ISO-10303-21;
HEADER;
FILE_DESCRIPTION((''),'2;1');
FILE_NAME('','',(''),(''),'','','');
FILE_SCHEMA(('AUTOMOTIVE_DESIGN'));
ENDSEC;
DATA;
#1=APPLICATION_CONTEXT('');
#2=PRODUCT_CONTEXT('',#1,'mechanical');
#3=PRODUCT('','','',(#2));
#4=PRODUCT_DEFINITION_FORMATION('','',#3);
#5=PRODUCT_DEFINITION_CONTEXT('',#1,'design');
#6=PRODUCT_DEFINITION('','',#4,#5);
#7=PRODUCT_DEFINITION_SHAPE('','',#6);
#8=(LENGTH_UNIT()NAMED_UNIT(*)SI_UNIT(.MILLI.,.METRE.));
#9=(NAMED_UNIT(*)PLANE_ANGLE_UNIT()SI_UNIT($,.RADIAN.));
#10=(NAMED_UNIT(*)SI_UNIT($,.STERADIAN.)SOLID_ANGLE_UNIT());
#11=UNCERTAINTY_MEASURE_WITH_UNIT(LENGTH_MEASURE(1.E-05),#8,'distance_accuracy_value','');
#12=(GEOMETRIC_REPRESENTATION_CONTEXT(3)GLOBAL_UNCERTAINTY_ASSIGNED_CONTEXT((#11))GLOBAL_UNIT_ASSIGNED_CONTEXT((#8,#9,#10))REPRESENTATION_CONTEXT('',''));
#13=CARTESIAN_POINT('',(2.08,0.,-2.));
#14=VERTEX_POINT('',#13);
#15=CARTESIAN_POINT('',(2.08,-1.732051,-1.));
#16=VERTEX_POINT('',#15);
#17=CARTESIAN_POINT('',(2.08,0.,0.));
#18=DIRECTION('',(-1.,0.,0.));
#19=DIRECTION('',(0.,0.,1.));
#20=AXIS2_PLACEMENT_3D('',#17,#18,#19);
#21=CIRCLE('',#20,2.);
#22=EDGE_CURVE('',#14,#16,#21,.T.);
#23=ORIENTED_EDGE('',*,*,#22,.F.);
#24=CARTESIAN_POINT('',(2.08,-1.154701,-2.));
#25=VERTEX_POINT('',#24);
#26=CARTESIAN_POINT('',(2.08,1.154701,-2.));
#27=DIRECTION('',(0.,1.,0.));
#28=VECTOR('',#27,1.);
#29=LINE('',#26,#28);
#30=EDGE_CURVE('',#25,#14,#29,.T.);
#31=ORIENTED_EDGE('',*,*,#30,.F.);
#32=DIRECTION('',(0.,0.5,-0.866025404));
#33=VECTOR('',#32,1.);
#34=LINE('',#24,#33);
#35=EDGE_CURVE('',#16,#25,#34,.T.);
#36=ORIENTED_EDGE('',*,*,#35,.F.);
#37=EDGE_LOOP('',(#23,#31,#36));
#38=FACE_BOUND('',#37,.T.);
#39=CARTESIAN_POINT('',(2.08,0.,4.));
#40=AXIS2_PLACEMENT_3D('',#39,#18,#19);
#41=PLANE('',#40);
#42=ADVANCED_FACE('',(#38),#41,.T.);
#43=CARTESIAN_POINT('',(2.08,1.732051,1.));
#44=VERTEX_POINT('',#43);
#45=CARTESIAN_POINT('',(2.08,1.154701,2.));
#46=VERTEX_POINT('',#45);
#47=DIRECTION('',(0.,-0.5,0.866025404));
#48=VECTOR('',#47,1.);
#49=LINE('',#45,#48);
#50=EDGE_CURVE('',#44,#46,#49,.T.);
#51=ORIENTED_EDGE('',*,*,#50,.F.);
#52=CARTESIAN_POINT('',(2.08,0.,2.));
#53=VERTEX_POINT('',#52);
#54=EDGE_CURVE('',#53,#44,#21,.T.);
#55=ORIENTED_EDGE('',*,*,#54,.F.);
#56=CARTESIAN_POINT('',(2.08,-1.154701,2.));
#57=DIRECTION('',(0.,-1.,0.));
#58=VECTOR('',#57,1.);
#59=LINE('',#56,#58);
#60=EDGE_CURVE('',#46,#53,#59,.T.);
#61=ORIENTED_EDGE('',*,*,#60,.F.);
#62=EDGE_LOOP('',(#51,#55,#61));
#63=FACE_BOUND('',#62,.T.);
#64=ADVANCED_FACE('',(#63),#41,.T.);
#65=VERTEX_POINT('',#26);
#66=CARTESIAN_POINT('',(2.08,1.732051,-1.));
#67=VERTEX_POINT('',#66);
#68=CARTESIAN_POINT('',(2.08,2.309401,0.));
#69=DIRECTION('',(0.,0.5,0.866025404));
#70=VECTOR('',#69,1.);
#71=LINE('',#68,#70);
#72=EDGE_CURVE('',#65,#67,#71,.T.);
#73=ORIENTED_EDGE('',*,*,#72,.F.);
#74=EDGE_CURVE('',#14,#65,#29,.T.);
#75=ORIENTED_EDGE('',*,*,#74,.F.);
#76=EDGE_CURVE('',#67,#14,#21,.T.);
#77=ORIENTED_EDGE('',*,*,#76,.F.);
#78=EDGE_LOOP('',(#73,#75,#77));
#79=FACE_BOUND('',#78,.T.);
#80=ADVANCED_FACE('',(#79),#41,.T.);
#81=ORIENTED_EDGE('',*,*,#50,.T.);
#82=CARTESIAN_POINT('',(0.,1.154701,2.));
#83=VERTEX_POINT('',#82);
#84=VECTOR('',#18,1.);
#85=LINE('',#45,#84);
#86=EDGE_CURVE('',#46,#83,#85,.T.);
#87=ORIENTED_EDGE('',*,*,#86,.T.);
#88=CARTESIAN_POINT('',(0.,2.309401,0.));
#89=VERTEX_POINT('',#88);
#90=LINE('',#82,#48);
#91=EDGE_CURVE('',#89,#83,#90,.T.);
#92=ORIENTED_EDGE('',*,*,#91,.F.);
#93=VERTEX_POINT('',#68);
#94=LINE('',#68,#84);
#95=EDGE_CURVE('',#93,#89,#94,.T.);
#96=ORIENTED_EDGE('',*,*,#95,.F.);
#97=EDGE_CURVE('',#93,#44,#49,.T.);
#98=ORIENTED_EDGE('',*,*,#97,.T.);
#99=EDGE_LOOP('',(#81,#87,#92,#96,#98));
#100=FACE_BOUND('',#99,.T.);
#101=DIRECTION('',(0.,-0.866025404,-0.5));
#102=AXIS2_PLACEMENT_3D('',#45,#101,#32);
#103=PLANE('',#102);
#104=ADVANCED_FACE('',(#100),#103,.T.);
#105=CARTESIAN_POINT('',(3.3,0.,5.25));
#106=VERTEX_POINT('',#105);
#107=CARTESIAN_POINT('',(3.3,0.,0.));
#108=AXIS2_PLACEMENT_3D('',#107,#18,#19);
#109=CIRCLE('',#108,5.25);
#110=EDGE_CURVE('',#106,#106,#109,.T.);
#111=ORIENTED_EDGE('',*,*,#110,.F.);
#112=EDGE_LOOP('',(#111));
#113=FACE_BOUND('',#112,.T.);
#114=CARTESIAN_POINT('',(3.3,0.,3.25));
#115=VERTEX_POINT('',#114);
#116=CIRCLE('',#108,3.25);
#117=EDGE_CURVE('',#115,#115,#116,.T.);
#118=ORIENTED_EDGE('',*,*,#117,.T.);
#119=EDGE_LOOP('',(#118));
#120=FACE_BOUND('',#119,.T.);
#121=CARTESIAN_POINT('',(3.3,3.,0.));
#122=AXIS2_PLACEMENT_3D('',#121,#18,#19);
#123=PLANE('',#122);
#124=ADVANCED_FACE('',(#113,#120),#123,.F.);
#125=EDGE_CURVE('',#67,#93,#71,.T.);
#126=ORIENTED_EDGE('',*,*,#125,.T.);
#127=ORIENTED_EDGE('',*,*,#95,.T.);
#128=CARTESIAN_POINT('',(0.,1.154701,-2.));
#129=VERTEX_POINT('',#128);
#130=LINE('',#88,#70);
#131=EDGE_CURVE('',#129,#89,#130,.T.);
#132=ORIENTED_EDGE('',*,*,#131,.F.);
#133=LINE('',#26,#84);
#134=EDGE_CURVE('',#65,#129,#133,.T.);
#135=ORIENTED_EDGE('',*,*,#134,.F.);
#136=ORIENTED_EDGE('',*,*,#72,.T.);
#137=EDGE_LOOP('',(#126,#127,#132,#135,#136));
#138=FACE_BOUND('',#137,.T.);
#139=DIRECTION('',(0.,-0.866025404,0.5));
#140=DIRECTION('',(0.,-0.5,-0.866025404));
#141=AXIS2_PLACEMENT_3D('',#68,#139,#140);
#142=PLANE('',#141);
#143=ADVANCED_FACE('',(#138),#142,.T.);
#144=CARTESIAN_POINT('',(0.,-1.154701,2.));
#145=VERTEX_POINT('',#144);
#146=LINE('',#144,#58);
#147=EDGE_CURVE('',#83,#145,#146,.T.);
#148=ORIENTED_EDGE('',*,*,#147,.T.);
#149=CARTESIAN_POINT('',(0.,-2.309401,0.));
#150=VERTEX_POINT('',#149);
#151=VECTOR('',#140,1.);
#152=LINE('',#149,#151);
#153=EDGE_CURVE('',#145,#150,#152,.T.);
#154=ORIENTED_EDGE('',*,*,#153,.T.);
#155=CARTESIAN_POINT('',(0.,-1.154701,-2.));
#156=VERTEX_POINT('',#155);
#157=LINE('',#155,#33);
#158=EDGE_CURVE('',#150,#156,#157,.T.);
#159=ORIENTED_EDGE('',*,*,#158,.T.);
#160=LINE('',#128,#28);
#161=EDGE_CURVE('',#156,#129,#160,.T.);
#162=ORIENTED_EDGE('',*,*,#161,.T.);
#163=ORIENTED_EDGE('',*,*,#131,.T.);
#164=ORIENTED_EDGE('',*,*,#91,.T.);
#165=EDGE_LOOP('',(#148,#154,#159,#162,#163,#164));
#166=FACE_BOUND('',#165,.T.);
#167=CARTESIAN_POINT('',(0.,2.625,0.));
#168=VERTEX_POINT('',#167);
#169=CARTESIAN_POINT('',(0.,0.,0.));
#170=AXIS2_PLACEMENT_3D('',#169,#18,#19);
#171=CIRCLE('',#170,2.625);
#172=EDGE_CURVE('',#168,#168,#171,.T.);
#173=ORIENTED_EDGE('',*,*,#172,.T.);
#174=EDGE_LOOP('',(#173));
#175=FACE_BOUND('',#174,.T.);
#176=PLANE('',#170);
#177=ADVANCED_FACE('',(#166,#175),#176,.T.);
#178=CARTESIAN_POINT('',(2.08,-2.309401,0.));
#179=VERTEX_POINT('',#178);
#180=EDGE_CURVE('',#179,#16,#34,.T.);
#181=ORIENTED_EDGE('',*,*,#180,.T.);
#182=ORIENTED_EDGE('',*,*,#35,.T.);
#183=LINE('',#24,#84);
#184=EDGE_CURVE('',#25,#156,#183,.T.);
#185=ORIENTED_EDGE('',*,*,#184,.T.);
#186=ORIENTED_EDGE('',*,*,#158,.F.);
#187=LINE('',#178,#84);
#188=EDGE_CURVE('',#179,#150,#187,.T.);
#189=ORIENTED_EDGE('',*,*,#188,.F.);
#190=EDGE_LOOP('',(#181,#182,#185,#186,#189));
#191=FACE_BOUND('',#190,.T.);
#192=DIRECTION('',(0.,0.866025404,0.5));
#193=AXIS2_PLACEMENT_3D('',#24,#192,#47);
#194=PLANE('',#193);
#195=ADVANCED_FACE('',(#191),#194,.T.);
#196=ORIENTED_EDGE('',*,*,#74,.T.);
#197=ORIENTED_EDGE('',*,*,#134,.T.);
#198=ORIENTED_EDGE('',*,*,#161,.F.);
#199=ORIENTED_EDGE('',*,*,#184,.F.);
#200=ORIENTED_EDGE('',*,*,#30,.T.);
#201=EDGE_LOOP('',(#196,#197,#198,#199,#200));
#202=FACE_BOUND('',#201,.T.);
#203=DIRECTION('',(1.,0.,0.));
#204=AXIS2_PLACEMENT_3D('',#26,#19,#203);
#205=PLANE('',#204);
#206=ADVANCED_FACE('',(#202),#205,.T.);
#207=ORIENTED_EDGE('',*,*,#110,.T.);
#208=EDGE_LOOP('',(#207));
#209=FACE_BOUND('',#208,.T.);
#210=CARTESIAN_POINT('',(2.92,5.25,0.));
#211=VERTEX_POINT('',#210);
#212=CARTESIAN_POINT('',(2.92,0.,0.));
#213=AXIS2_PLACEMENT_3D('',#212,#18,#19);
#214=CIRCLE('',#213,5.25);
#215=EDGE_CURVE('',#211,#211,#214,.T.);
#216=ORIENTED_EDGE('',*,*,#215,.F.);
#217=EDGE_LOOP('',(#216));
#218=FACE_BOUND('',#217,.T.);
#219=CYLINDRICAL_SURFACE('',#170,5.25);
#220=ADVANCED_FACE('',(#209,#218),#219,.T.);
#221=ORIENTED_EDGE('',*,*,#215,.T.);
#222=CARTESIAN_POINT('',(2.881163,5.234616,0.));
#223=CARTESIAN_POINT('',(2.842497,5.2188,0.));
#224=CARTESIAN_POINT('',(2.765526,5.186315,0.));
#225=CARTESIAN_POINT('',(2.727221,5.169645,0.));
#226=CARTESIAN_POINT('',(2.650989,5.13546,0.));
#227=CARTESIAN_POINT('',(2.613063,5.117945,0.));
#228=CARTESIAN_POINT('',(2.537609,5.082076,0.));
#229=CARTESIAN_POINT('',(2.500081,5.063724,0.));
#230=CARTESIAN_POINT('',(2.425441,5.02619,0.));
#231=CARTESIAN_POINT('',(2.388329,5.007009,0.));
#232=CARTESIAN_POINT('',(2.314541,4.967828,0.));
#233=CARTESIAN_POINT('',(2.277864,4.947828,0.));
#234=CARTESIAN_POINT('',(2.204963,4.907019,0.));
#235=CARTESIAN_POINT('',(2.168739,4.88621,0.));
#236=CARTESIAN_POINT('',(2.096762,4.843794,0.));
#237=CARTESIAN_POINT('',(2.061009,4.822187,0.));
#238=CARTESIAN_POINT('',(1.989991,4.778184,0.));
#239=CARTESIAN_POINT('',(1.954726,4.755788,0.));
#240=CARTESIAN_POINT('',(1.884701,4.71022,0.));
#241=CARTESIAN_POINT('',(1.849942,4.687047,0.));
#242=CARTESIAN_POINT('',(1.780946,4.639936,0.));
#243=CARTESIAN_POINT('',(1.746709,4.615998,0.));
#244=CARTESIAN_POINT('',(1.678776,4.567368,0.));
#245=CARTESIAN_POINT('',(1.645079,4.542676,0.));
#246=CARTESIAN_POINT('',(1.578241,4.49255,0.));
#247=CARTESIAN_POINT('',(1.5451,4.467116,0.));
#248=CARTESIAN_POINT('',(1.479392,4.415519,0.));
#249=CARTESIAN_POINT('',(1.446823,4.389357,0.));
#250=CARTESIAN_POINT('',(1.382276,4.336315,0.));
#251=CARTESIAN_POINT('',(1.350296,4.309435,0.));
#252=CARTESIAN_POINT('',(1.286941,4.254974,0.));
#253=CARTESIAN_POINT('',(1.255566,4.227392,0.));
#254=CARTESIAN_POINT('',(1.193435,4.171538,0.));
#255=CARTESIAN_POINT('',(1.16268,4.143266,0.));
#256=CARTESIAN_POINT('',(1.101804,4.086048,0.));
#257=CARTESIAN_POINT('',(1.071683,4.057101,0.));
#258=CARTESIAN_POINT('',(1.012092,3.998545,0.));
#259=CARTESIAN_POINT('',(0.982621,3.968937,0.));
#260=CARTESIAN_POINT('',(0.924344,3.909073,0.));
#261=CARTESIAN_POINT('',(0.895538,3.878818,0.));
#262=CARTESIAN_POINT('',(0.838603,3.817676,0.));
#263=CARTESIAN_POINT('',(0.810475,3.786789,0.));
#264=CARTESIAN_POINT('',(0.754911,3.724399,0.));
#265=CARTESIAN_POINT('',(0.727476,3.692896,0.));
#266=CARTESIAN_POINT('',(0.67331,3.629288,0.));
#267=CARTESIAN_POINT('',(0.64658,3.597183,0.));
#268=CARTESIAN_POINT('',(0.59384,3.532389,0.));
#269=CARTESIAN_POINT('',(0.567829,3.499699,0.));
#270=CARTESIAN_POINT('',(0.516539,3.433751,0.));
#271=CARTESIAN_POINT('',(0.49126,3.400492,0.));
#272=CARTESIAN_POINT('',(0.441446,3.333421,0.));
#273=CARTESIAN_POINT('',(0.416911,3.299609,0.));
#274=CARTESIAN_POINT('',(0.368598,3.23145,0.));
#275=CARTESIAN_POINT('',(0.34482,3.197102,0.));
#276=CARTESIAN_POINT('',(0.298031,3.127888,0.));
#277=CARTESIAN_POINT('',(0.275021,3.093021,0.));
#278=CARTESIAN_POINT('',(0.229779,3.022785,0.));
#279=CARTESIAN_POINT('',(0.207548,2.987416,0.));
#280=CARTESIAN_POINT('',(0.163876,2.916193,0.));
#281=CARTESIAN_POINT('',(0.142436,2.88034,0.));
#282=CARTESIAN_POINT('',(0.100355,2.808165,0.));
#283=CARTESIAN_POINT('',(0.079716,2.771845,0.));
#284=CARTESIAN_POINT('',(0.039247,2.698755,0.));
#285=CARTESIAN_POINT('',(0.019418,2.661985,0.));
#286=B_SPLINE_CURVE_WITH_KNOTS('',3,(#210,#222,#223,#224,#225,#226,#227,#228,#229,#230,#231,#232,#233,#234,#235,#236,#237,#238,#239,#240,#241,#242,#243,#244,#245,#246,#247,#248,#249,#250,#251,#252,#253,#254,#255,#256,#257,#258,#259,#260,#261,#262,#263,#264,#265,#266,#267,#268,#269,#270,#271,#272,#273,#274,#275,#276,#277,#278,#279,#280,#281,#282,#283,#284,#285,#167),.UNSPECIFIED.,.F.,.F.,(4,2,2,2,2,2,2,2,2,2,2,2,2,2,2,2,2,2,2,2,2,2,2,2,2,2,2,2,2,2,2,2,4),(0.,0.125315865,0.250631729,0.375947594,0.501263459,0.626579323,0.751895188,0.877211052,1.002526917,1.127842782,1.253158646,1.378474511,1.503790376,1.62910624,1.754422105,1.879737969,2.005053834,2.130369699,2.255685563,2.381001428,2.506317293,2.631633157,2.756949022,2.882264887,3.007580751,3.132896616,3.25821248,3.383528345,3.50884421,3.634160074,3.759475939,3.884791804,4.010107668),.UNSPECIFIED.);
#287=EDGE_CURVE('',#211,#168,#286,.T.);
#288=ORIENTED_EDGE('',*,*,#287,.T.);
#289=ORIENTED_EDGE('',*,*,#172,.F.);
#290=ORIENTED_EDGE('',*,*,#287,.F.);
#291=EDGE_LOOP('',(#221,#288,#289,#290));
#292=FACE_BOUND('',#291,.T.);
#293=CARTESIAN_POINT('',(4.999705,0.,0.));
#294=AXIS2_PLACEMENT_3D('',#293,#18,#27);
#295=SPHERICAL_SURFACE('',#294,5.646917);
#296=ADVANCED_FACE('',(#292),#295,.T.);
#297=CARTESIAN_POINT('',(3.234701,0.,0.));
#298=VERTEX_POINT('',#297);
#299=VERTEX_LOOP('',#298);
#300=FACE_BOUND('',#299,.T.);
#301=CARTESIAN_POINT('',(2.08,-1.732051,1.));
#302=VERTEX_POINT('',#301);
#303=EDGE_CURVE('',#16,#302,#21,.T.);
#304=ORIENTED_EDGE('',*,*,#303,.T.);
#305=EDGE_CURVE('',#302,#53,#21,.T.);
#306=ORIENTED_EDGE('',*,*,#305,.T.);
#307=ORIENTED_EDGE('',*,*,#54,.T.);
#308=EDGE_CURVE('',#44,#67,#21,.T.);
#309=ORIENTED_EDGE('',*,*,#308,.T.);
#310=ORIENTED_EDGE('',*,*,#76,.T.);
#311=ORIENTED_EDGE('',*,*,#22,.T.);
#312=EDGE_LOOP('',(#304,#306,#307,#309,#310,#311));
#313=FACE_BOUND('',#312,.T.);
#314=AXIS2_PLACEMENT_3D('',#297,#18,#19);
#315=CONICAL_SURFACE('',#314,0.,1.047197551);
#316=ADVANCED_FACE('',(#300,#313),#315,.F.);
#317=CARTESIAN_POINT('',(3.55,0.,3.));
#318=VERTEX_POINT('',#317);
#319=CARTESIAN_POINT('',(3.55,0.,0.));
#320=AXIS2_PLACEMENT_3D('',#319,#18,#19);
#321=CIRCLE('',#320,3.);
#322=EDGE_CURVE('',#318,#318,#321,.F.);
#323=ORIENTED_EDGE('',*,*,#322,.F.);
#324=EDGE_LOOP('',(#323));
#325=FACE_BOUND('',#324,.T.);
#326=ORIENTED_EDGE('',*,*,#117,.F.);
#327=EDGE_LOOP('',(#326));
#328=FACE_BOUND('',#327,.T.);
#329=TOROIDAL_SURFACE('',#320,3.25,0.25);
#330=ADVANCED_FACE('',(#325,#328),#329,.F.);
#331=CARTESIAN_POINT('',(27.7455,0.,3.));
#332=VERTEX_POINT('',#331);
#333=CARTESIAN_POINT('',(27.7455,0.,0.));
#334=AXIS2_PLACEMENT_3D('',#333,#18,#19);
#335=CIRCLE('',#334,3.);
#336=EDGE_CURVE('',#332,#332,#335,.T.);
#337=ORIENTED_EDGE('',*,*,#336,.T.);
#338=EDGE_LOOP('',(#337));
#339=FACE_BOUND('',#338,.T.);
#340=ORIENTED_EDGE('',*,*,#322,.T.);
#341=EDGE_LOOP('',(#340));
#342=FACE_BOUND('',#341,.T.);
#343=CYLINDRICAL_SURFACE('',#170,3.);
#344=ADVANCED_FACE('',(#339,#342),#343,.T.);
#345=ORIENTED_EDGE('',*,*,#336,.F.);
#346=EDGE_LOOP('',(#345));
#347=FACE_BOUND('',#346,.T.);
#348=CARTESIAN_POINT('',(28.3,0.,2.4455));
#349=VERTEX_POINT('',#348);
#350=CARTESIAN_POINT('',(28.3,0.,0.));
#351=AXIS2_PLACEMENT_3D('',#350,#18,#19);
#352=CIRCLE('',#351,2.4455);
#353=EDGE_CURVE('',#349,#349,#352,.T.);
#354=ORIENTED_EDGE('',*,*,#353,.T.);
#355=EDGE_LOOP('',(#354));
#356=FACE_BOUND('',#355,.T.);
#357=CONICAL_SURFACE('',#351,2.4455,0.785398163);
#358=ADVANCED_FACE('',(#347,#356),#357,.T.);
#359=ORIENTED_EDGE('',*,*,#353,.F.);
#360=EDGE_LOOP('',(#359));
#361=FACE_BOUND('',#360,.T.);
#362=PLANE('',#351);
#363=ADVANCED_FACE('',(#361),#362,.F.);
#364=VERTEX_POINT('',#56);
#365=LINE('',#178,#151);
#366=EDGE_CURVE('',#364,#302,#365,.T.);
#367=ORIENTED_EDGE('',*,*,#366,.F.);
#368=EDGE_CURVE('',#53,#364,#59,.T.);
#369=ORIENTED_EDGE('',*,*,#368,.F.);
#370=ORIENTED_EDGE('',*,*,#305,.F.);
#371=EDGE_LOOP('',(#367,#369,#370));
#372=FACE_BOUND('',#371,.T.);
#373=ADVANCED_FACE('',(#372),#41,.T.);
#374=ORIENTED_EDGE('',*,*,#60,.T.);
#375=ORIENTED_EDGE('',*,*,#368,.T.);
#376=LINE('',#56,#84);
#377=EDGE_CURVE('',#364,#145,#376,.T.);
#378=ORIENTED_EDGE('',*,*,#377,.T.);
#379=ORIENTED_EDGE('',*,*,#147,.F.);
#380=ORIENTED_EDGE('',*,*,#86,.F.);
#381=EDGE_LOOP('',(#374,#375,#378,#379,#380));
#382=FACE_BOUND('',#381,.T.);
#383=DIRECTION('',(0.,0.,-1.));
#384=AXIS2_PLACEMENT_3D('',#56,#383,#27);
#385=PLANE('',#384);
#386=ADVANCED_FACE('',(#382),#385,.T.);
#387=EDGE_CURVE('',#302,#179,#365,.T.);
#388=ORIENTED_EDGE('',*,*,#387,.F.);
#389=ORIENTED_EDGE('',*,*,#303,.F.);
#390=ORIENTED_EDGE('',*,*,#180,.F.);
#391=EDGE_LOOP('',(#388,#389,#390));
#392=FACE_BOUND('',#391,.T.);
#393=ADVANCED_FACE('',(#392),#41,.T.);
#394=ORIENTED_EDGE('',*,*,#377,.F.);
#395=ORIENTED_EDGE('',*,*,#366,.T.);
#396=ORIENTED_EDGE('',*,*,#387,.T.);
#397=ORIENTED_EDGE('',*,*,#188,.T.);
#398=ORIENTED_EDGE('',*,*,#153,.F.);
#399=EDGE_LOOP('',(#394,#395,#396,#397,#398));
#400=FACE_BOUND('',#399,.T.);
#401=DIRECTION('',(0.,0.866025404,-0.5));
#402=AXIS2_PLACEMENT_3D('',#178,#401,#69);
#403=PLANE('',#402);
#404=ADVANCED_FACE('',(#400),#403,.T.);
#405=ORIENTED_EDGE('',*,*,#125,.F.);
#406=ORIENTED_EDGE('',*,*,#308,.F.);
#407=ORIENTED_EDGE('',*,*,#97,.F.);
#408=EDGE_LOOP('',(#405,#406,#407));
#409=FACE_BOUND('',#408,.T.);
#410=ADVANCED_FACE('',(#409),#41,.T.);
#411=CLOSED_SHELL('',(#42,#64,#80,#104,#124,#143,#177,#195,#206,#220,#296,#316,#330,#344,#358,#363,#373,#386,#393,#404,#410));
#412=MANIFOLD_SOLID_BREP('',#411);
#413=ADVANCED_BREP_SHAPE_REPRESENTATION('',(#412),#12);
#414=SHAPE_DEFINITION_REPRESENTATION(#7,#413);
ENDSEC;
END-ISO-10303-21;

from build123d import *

# Parameters (mm, degrees)
FILLET1_R   = 0.25
HEX_2_DEPTH = 2.08


with BuildPart() as part:
    # BodySke → BaseBody (revolve)
    with BuildSketch(Plane.XY, mode=Mode.PRIVATE) as basebody_sk:
        with BuildLine():
            Line((28.3, 0), (28.3, 2.4455))
            Line((28.3, 2.4455), (27.7455, 3))
            Line((27.7455, 3), (3.3, 3))
            Line((3.3, 3), (3.3, 5.25))
            Line((3.3, 5.25), (2.92, 5.25))
            ThreePointArc((2.92, 5.25), (1.224500646, 4.199464996), (0, 2.625))
            Line((0, 2.625), (0, 0))
            Line((0, 0), (28.3, 0))
        make_face()
    revolve(basebody_sk.sketch.rotate(Axis((0, 0, 0), (1, 0, 0)), 90), axis=Axis((0, 0, 0), (1, 0, 0)))

    # Fillet1
    fillet1_edges = [part.edges().sort_by_distance(p)[0] for p in [
        (3.3, 0, -3),
    ]]
    fillet(fillet1_edges, radius=FILLET1_R)

    # Sketch2 → PreBroach (revolve, cut)
    with BuildSketch(Plane.XY, mode=Mode.PRIVATE) as prebroach_sk:
        Polygon((0, 2), (2.08, 2), (3.234700538, 0), (0, 0), align=None)
    revolve(prebroach_sk.sketch.rotate(Axis((0, 0, 0), (1, 0, 0)), 90), axis=Axis((0, 0, 0), (1, 0, 0)), mode=Mode.SUBTRACT)

    # Sketch3 → Hex 2 (cut)
    with BuildSketch(Plane(origin=(0, 0, 0), x_dir=(0, 0, -1), z_dir=(1, 0, 0))):
        Polygon((-2, -1.154700538), (-2, 1.154700538), (0, 2.309401077), (2, 1.154700538), (2, -1.154700538), (0, -2.309401077), align=None)
    extrude(amount=HEX_2_DEPTH, mode=Mode.SUBTRACT)


solid = part.part
